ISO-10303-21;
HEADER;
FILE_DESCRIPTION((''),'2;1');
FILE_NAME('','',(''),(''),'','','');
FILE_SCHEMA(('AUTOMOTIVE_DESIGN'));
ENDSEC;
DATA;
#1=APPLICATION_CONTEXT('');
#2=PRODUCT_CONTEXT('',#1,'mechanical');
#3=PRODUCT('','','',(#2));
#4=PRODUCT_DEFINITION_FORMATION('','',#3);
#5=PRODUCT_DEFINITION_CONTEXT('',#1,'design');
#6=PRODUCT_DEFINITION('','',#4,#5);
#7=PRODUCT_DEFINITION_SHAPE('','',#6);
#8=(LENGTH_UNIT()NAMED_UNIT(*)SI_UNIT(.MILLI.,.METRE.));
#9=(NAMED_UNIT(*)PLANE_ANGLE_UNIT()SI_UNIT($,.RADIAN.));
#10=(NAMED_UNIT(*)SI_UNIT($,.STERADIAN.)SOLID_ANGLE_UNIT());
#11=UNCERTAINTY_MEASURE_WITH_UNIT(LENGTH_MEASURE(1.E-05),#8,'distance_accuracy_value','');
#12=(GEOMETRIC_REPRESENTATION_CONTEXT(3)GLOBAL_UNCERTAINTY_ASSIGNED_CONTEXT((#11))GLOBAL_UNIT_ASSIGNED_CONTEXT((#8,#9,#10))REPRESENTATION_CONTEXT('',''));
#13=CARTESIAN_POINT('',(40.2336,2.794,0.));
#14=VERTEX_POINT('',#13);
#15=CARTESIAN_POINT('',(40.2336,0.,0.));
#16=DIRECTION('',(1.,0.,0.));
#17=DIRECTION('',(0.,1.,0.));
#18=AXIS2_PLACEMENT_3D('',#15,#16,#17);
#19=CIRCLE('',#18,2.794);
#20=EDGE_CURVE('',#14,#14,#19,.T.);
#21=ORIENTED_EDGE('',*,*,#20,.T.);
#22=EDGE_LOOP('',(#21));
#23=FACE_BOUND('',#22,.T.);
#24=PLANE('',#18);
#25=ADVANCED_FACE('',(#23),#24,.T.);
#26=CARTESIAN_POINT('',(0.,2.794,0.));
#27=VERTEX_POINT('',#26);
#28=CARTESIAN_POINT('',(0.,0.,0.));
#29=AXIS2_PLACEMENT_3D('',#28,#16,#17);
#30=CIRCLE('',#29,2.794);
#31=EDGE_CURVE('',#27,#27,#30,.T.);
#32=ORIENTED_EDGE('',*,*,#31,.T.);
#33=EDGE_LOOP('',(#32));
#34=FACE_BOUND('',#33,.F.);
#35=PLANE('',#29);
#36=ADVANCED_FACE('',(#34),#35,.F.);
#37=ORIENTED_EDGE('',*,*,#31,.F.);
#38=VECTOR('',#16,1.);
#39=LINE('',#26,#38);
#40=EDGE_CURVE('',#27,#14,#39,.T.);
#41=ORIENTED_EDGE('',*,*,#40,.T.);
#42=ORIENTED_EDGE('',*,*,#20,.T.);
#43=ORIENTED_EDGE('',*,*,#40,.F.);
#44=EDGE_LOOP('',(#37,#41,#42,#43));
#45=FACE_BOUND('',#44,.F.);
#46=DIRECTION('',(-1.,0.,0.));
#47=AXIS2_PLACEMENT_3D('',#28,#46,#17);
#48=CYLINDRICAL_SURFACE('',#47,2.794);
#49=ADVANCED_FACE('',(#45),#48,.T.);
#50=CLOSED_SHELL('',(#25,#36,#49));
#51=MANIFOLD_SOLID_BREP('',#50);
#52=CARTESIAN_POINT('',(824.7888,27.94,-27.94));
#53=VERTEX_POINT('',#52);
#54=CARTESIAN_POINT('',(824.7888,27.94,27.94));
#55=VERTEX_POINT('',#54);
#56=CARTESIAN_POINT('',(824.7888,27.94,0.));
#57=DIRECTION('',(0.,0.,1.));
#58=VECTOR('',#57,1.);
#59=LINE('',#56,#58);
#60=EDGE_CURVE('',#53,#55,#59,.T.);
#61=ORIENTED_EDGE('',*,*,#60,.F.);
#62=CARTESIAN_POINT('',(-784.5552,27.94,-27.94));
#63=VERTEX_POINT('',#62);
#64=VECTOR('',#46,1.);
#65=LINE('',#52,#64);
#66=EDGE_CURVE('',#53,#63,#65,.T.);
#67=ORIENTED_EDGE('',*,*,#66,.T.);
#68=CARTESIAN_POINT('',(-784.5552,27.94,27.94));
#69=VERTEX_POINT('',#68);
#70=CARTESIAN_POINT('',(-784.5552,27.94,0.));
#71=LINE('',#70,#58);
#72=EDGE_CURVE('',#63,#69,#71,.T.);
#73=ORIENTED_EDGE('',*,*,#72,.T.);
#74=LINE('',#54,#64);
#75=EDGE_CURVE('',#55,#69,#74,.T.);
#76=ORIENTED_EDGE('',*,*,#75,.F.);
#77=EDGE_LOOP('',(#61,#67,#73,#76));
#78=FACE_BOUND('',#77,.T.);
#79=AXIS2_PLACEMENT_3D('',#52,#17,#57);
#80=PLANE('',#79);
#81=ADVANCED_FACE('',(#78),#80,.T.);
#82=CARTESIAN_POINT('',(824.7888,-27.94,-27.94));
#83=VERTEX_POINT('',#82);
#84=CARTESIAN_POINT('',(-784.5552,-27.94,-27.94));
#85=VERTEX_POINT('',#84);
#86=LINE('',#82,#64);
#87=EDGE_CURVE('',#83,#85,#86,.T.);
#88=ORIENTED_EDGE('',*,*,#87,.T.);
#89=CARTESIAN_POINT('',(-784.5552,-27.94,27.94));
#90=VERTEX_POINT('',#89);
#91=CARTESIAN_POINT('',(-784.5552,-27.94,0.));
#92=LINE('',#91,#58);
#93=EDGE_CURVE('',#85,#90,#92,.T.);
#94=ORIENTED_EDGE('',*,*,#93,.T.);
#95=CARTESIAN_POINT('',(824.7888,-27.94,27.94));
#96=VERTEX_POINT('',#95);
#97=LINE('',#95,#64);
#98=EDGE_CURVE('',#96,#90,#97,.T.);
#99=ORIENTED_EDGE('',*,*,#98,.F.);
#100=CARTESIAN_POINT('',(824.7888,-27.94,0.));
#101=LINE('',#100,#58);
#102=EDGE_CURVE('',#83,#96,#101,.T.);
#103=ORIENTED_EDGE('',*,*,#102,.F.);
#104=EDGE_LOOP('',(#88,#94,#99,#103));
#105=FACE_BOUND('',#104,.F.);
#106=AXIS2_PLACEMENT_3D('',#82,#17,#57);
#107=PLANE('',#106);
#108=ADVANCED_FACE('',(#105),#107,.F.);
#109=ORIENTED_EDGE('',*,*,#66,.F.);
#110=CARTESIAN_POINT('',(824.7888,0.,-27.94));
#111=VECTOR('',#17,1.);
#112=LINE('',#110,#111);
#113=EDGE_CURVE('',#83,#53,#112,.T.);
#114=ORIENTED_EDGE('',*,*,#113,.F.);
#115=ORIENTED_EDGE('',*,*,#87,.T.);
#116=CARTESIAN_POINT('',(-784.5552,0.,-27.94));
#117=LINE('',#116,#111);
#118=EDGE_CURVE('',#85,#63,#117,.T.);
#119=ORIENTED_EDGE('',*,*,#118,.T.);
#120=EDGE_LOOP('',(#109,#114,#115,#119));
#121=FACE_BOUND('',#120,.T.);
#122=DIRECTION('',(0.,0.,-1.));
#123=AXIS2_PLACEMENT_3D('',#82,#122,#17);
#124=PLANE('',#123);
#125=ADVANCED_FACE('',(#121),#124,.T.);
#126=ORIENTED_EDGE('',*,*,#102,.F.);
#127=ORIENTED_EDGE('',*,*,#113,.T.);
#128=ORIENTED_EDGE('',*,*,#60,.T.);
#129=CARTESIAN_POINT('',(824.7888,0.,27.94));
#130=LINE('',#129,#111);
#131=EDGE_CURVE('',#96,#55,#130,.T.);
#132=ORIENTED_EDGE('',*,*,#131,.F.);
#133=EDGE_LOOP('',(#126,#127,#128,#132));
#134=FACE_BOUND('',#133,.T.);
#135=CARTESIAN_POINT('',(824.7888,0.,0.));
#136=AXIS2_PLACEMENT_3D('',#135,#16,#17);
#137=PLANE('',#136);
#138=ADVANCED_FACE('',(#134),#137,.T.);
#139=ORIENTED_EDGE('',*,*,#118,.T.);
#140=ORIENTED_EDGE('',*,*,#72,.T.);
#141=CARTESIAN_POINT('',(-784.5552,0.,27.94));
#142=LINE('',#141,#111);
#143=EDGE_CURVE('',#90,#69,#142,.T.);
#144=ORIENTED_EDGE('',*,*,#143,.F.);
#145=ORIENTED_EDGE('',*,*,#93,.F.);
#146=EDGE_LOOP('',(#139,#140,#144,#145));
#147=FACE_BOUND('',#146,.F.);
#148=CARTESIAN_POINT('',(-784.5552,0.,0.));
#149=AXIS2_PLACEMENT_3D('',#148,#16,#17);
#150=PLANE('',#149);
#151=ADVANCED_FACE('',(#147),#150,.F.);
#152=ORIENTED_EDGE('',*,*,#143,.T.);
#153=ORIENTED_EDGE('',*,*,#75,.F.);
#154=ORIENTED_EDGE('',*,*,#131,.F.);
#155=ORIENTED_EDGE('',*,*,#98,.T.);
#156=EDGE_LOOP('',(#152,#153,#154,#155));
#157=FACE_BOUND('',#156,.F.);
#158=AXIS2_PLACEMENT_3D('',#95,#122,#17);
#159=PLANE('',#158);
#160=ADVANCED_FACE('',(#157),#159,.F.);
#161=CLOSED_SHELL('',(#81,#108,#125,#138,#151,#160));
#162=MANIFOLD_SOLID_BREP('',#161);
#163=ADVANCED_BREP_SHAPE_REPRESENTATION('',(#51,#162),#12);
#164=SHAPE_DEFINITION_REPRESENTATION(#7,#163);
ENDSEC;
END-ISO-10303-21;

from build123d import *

# Parameters (mm, degrees)
F0_R     = 2.794
F1_DEPTH = 40.2336
F3_W     = 55.88
F3_H     = 55.88
F4_DEPTH = 1609.344


with BuildPart() as f1:
    # F0 (on Right) → F1 (new body)
    with BuildSketch(Plane.YZ):
        Circle(F0_R)
    extrude(amount=F1_DEPTH)


with BuildPart() as f4:
    # F3 (on offset) → F4 (new body)
    with BuildSketch(Plane.YZ.offset(824.7888)):
        Rectangle(F3_W, F3_H)
    extrude(amount=-F4_DEPTH)


solid = Compound([f1.part, f4.part])
